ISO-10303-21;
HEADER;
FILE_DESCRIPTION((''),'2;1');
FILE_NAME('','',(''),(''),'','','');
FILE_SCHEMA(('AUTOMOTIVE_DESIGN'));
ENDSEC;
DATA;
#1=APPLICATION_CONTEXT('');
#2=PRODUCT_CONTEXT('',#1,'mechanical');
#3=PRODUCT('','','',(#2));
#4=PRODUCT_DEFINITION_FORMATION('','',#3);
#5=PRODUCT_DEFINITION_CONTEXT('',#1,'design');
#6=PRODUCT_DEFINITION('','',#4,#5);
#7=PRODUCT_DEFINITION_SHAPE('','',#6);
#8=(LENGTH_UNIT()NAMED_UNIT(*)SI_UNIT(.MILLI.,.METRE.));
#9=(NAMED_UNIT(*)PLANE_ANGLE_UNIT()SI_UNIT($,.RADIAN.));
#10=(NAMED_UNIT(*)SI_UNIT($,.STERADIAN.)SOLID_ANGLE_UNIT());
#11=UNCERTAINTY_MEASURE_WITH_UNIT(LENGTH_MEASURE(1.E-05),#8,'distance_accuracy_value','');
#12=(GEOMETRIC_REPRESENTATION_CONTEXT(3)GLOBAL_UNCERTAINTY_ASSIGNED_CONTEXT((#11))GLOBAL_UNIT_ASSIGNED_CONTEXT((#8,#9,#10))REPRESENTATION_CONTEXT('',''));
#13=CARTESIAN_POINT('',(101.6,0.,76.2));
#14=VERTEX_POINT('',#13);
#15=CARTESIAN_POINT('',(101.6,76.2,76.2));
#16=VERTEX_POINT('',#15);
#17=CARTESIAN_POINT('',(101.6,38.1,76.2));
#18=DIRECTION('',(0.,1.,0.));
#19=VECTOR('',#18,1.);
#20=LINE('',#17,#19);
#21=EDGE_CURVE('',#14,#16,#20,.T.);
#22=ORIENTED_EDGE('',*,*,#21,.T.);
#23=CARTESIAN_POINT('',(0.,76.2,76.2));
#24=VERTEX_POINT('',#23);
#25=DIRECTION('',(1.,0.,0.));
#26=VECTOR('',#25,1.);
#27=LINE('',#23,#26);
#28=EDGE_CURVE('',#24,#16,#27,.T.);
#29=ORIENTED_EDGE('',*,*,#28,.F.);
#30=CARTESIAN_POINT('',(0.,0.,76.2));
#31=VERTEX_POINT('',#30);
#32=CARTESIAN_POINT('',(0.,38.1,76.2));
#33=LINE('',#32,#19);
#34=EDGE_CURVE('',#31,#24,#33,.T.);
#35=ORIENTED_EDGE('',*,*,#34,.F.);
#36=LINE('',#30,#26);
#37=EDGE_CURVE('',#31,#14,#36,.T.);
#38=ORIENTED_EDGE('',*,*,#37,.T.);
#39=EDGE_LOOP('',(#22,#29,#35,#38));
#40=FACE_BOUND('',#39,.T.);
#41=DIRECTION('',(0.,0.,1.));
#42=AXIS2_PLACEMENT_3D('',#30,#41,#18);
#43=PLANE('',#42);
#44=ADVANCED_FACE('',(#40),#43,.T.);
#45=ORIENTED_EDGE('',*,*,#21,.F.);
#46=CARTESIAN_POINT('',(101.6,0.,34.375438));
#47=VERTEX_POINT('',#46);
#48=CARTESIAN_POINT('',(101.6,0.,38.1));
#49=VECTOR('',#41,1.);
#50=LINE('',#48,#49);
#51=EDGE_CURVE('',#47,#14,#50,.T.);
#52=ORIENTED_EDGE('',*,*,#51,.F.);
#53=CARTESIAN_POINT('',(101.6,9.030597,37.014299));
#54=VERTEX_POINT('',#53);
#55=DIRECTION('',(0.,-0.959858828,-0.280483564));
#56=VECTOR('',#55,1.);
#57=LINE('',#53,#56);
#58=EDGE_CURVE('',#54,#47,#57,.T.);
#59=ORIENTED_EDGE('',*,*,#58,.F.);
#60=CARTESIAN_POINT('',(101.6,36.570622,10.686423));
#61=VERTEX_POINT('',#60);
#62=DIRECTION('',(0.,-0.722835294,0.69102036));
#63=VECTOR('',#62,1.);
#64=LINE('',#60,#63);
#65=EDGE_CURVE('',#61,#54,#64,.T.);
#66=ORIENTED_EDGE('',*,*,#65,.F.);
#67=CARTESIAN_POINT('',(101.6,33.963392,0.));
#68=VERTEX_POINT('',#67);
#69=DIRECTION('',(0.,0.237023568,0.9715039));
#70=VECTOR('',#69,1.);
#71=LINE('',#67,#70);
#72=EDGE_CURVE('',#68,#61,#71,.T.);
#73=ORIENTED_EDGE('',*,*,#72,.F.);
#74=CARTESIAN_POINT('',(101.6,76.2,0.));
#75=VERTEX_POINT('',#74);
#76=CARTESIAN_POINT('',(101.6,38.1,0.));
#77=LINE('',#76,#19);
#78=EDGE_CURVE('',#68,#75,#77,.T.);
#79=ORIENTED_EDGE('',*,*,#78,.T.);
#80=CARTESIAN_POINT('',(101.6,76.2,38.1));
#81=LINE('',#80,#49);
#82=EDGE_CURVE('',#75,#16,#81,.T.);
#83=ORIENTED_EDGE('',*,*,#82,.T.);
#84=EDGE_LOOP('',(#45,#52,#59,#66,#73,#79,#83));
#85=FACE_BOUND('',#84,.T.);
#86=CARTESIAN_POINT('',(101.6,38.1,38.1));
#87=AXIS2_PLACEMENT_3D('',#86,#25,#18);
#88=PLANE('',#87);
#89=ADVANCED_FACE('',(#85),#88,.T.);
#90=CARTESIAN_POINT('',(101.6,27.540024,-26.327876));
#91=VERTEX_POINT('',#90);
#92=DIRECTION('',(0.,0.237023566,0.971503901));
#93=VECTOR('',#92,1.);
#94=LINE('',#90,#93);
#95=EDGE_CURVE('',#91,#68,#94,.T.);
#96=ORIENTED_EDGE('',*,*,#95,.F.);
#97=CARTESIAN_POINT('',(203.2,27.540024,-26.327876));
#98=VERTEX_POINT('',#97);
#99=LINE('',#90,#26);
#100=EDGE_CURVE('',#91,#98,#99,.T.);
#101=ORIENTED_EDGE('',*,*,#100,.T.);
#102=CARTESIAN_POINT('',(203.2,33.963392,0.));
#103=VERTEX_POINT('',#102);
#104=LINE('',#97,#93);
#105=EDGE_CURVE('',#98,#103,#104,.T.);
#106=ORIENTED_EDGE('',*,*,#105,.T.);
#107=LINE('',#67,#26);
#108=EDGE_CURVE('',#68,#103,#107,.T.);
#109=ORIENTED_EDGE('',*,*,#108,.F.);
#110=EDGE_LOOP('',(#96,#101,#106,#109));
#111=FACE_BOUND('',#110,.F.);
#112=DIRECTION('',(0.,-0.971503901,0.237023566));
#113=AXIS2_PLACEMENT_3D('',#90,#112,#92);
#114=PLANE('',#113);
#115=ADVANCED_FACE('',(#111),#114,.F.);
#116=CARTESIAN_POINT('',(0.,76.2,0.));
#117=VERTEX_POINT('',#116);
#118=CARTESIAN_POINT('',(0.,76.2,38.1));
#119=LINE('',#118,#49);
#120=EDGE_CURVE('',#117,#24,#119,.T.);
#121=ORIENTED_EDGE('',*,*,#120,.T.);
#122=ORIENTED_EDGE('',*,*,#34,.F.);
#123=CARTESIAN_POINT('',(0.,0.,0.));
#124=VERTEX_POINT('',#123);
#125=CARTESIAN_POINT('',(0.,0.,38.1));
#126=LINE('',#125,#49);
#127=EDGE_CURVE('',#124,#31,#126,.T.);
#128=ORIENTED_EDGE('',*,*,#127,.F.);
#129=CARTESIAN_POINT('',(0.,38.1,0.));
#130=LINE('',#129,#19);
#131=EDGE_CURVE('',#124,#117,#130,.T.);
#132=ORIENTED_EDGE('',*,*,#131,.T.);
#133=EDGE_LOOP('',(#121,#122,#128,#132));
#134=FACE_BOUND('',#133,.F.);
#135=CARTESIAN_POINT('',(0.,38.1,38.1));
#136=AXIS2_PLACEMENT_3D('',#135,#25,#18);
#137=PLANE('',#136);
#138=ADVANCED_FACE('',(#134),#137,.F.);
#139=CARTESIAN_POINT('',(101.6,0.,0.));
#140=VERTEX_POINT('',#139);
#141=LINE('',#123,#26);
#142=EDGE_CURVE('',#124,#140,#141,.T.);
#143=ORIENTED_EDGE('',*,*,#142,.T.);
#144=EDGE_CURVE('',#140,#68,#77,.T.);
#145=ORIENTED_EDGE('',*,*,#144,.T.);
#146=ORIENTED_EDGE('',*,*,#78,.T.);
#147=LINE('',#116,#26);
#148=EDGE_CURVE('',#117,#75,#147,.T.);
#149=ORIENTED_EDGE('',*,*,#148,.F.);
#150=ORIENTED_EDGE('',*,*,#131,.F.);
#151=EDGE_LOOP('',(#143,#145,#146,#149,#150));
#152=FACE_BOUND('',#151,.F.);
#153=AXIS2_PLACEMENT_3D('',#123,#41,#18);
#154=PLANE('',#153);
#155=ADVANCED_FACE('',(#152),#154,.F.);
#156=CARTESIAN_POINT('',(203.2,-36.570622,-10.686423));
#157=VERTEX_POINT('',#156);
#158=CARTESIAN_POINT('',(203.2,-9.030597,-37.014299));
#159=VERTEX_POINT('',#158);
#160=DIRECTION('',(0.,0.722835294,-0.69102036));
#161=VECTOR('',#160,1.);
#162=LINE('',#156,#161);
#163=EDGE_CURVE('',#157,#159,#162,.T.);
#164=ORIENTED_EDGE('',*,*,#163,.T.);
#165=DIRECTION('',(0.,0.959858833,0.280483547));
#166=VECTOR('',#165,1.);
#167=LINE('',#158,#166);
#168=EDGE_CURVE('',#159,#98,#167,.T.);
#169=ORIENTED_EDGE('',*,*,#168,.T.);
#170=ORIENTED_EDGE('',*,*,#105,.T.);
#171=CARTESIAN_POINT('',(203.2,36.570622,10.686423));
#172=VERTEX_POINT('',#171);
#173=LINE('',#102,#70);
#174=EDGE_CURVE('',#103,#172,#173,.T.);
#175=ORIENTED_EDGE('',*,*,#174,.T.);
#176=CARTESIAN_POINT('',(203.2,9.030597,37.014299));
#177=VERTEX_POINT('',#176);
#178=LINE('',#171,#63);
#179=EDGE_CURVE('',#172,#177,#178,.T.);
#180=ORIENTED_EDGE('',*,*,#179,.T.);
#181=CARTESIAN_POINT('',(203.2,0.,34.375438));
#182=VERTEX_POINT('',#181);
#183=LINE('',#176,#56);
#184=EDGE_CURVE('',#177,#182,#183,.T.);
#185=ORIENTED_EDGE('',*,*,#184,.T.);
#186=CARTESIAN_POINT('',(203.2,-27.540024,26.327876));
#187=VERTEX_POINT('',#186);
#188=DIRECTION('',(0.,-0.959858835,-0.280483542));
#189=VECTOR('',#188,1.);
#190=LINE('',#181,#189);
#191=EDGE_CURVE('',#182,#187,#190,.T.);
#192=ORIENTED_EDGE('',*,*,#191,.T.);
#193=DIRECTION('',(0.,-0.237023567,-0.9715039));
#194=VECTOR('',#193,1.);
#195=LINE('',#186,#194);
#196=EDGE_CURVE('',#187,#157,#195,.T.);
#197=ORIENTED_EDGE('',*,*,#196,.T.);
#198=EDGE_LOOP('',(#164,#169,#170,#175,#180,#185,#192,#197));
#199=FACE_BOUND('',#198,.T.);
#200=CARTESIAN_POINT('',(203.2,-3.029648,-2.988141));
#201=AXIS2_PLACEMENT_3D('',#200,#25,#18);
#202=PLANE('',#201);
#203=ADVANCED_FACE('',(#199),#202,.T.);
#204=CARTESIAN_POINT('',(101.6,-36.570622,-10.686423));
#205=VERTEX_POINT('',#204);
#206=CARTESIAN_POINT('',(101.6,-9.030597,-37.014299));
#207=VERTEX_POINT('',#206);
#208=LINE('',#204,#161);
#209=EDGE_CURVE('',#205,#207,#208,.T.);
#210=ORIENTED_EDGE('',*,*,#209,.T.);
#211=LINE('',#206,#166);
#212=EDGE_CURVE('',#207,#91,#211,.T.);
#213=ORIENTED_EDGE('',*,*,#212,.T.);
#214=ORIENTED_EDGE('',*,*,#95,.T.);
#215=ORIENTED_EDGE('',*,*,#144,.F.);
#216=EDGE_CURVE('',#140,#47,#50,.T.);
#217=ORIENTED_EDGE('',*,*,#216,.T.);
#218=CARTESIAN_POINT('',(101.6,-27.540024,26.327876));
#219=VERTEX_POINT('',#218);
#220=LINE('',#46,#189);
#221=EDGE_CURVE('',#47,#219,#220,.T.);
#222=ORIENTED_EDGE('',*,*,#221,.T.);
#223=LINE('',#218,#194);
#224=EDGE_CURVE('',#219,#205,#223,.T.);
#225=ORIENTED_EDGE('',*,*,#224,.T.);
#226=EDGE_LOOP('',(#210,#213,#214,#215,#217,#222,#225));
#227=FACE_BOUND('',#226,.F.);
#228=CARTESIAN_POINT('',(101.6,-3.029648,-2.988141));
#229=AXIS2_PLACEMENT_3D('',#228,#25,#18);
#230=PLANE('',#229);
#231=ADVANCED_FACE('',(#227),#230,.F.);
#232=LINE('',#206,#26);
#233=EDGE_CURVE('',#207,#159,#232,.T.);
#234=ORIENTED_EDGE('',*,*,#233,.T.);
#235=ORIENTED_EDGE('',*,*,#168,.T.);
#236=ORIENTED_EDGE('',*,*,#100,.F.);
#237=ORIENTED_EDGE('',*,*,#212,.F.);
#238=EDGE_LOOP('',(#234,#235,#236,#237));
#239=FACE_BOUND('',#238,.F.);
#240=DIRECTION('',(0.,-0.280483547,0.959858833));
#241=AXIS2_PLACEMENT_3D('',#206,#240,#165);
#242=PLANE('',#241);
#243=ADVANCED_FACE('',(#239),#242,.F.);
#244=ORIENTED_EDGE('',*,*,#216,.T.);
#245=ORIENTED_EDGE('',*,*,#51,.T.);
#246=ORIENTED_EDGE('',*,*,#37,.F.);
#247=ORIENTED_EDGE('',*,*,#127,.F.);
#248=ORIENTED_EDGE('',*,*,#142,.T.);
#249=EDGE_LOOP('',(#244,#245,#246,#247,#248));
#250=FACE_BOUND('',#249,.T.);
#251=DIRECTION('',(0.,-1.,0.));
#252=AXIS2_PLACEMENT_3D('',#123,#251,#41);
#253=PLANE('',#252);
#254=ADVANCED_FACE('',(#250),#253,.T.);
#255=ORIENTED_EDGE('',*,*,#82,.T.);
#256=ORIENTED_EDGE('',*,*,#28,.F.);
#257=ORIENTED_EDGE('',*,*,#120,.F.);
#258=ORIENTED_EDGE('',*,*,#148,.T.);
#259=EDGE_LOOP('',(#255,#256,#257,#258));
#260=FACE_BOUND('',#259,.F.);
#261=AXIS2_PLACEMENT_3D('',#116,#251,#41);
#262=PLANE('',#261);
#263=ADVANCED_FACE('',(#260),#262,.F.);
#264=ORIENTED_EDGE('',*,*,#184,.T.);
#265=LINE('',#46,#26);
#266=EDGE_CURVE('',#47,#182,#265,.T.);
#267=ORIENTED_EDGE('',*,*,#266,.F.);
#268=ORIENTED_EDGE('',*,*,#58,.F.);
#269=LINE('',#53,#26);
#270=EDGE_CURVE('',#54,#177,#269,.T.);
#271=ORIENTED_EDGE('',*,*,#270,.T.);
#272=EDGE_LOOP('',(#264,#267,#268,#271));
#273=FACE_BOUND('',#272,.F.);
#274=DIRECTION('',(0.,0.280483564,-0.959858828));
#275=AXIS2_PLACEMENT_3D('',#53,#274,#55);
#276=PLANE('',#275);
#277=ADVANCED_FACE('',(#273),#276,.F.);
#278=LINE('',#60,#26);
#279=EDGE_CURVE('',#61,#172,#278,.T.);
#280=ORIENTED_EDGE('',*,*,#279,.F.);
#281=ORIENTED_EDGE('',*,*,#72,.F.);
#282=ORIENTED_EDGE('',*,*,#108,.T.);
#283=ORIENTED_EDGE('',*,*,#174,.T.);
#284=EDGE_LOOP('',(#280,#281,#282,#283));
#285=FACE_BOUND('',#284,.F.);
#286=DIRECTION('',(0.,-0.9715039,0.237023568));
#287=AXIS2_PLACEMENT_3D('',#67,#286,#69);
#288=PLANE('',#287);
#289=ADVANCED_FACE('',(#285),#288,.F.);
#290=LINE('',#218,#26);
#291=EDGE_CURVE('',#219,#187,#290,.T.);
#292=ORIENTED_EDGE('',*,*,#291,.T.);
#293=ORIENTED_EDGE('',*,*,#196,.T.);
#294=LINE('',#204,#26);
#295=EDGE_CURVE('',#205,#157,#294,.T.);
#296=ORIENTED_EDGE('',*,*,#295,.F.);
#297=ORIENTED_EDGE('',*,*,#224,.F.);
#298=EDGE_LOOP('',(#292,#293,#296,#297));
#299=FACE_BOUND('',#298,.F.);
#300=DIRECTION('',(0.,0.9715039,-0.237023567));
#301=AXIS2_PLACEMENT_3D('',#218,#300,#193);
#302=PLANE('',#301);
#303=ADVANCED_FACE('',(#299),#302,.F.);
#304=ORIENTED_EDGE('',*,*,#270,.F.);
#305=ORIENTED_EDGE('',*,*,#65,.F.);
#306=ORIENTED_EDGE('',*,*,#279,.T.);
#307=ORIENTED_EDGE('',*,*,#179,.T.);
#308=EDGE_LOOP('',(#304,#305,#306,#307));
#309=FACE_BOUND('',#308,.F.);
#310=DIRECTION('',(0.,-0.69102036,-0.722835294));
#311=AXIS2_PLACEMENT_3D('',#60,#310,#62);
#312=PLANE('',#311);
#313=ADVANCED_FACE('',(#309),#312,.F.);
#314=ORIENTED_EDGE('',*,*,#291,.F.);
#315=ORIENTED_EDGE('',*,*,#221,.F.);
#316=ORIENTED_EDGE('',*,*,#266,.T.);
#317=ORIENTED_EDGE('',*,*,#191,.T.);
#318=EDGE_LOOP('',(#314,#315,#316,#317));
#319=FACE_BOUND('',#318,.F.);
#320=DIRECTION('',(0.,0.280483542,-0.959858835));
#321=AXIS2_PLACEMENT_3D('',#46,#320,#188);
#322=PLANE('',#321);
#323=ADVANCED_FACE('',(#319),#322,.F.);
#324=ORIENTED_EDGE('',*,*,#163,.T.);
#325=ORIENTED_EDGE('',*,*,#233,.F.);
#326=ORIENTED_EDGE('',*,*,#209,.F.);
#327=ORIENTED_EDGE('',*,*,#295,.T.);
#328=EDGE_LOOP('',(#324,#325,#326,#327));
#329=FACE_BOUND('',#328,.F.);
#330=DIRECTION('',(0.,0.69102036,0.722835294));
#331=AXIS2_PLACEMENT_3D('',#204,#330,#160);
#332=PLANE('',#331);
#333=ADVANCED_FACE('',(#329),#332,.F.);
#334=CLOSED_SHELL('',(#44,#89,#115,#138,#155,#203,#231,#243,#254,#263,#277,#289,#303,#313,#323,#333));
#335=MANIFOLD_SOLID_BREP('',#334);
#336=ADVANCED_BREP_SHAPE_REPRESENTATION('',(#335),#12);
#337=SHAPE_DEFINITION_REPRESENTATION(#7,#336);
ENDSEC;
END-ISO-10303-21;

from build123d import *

# Parameters (mm, degrees)
F0_W     = 76.2
F0_H     = 76.2
F1_DEPTH = 101.6
F3_DEPTH = 101.6


with BuildPart() as f1:
    # F0 (on Right) → F1 (new body)
    with BuildSketch(Plane.YZ):
        with Locations((38.1, 38.1)):
            Rectangle(F0_W, F0_H)
    extrude(amount=F1_DEPTH)

    # F2 (on face) → F3 (join)
    with BuildSketch(Plane.YZ.offset(101.6)):
        Polygon((-27.540024, 26.327876), (-36.570622, -10.686423), (-9.030597, -37.014299), (27.540024, -26.327876), (33.963392, 0), (0, 0), (0, 34.375438), align=None)
        Polygon((9.030597, 37.014299), (0, 34.375438), (0, 0), (33.963392, 0), (36.570622, 10.686423), align=None)
    extrude(amount=F3_DEPTH)


solid = f1.part
